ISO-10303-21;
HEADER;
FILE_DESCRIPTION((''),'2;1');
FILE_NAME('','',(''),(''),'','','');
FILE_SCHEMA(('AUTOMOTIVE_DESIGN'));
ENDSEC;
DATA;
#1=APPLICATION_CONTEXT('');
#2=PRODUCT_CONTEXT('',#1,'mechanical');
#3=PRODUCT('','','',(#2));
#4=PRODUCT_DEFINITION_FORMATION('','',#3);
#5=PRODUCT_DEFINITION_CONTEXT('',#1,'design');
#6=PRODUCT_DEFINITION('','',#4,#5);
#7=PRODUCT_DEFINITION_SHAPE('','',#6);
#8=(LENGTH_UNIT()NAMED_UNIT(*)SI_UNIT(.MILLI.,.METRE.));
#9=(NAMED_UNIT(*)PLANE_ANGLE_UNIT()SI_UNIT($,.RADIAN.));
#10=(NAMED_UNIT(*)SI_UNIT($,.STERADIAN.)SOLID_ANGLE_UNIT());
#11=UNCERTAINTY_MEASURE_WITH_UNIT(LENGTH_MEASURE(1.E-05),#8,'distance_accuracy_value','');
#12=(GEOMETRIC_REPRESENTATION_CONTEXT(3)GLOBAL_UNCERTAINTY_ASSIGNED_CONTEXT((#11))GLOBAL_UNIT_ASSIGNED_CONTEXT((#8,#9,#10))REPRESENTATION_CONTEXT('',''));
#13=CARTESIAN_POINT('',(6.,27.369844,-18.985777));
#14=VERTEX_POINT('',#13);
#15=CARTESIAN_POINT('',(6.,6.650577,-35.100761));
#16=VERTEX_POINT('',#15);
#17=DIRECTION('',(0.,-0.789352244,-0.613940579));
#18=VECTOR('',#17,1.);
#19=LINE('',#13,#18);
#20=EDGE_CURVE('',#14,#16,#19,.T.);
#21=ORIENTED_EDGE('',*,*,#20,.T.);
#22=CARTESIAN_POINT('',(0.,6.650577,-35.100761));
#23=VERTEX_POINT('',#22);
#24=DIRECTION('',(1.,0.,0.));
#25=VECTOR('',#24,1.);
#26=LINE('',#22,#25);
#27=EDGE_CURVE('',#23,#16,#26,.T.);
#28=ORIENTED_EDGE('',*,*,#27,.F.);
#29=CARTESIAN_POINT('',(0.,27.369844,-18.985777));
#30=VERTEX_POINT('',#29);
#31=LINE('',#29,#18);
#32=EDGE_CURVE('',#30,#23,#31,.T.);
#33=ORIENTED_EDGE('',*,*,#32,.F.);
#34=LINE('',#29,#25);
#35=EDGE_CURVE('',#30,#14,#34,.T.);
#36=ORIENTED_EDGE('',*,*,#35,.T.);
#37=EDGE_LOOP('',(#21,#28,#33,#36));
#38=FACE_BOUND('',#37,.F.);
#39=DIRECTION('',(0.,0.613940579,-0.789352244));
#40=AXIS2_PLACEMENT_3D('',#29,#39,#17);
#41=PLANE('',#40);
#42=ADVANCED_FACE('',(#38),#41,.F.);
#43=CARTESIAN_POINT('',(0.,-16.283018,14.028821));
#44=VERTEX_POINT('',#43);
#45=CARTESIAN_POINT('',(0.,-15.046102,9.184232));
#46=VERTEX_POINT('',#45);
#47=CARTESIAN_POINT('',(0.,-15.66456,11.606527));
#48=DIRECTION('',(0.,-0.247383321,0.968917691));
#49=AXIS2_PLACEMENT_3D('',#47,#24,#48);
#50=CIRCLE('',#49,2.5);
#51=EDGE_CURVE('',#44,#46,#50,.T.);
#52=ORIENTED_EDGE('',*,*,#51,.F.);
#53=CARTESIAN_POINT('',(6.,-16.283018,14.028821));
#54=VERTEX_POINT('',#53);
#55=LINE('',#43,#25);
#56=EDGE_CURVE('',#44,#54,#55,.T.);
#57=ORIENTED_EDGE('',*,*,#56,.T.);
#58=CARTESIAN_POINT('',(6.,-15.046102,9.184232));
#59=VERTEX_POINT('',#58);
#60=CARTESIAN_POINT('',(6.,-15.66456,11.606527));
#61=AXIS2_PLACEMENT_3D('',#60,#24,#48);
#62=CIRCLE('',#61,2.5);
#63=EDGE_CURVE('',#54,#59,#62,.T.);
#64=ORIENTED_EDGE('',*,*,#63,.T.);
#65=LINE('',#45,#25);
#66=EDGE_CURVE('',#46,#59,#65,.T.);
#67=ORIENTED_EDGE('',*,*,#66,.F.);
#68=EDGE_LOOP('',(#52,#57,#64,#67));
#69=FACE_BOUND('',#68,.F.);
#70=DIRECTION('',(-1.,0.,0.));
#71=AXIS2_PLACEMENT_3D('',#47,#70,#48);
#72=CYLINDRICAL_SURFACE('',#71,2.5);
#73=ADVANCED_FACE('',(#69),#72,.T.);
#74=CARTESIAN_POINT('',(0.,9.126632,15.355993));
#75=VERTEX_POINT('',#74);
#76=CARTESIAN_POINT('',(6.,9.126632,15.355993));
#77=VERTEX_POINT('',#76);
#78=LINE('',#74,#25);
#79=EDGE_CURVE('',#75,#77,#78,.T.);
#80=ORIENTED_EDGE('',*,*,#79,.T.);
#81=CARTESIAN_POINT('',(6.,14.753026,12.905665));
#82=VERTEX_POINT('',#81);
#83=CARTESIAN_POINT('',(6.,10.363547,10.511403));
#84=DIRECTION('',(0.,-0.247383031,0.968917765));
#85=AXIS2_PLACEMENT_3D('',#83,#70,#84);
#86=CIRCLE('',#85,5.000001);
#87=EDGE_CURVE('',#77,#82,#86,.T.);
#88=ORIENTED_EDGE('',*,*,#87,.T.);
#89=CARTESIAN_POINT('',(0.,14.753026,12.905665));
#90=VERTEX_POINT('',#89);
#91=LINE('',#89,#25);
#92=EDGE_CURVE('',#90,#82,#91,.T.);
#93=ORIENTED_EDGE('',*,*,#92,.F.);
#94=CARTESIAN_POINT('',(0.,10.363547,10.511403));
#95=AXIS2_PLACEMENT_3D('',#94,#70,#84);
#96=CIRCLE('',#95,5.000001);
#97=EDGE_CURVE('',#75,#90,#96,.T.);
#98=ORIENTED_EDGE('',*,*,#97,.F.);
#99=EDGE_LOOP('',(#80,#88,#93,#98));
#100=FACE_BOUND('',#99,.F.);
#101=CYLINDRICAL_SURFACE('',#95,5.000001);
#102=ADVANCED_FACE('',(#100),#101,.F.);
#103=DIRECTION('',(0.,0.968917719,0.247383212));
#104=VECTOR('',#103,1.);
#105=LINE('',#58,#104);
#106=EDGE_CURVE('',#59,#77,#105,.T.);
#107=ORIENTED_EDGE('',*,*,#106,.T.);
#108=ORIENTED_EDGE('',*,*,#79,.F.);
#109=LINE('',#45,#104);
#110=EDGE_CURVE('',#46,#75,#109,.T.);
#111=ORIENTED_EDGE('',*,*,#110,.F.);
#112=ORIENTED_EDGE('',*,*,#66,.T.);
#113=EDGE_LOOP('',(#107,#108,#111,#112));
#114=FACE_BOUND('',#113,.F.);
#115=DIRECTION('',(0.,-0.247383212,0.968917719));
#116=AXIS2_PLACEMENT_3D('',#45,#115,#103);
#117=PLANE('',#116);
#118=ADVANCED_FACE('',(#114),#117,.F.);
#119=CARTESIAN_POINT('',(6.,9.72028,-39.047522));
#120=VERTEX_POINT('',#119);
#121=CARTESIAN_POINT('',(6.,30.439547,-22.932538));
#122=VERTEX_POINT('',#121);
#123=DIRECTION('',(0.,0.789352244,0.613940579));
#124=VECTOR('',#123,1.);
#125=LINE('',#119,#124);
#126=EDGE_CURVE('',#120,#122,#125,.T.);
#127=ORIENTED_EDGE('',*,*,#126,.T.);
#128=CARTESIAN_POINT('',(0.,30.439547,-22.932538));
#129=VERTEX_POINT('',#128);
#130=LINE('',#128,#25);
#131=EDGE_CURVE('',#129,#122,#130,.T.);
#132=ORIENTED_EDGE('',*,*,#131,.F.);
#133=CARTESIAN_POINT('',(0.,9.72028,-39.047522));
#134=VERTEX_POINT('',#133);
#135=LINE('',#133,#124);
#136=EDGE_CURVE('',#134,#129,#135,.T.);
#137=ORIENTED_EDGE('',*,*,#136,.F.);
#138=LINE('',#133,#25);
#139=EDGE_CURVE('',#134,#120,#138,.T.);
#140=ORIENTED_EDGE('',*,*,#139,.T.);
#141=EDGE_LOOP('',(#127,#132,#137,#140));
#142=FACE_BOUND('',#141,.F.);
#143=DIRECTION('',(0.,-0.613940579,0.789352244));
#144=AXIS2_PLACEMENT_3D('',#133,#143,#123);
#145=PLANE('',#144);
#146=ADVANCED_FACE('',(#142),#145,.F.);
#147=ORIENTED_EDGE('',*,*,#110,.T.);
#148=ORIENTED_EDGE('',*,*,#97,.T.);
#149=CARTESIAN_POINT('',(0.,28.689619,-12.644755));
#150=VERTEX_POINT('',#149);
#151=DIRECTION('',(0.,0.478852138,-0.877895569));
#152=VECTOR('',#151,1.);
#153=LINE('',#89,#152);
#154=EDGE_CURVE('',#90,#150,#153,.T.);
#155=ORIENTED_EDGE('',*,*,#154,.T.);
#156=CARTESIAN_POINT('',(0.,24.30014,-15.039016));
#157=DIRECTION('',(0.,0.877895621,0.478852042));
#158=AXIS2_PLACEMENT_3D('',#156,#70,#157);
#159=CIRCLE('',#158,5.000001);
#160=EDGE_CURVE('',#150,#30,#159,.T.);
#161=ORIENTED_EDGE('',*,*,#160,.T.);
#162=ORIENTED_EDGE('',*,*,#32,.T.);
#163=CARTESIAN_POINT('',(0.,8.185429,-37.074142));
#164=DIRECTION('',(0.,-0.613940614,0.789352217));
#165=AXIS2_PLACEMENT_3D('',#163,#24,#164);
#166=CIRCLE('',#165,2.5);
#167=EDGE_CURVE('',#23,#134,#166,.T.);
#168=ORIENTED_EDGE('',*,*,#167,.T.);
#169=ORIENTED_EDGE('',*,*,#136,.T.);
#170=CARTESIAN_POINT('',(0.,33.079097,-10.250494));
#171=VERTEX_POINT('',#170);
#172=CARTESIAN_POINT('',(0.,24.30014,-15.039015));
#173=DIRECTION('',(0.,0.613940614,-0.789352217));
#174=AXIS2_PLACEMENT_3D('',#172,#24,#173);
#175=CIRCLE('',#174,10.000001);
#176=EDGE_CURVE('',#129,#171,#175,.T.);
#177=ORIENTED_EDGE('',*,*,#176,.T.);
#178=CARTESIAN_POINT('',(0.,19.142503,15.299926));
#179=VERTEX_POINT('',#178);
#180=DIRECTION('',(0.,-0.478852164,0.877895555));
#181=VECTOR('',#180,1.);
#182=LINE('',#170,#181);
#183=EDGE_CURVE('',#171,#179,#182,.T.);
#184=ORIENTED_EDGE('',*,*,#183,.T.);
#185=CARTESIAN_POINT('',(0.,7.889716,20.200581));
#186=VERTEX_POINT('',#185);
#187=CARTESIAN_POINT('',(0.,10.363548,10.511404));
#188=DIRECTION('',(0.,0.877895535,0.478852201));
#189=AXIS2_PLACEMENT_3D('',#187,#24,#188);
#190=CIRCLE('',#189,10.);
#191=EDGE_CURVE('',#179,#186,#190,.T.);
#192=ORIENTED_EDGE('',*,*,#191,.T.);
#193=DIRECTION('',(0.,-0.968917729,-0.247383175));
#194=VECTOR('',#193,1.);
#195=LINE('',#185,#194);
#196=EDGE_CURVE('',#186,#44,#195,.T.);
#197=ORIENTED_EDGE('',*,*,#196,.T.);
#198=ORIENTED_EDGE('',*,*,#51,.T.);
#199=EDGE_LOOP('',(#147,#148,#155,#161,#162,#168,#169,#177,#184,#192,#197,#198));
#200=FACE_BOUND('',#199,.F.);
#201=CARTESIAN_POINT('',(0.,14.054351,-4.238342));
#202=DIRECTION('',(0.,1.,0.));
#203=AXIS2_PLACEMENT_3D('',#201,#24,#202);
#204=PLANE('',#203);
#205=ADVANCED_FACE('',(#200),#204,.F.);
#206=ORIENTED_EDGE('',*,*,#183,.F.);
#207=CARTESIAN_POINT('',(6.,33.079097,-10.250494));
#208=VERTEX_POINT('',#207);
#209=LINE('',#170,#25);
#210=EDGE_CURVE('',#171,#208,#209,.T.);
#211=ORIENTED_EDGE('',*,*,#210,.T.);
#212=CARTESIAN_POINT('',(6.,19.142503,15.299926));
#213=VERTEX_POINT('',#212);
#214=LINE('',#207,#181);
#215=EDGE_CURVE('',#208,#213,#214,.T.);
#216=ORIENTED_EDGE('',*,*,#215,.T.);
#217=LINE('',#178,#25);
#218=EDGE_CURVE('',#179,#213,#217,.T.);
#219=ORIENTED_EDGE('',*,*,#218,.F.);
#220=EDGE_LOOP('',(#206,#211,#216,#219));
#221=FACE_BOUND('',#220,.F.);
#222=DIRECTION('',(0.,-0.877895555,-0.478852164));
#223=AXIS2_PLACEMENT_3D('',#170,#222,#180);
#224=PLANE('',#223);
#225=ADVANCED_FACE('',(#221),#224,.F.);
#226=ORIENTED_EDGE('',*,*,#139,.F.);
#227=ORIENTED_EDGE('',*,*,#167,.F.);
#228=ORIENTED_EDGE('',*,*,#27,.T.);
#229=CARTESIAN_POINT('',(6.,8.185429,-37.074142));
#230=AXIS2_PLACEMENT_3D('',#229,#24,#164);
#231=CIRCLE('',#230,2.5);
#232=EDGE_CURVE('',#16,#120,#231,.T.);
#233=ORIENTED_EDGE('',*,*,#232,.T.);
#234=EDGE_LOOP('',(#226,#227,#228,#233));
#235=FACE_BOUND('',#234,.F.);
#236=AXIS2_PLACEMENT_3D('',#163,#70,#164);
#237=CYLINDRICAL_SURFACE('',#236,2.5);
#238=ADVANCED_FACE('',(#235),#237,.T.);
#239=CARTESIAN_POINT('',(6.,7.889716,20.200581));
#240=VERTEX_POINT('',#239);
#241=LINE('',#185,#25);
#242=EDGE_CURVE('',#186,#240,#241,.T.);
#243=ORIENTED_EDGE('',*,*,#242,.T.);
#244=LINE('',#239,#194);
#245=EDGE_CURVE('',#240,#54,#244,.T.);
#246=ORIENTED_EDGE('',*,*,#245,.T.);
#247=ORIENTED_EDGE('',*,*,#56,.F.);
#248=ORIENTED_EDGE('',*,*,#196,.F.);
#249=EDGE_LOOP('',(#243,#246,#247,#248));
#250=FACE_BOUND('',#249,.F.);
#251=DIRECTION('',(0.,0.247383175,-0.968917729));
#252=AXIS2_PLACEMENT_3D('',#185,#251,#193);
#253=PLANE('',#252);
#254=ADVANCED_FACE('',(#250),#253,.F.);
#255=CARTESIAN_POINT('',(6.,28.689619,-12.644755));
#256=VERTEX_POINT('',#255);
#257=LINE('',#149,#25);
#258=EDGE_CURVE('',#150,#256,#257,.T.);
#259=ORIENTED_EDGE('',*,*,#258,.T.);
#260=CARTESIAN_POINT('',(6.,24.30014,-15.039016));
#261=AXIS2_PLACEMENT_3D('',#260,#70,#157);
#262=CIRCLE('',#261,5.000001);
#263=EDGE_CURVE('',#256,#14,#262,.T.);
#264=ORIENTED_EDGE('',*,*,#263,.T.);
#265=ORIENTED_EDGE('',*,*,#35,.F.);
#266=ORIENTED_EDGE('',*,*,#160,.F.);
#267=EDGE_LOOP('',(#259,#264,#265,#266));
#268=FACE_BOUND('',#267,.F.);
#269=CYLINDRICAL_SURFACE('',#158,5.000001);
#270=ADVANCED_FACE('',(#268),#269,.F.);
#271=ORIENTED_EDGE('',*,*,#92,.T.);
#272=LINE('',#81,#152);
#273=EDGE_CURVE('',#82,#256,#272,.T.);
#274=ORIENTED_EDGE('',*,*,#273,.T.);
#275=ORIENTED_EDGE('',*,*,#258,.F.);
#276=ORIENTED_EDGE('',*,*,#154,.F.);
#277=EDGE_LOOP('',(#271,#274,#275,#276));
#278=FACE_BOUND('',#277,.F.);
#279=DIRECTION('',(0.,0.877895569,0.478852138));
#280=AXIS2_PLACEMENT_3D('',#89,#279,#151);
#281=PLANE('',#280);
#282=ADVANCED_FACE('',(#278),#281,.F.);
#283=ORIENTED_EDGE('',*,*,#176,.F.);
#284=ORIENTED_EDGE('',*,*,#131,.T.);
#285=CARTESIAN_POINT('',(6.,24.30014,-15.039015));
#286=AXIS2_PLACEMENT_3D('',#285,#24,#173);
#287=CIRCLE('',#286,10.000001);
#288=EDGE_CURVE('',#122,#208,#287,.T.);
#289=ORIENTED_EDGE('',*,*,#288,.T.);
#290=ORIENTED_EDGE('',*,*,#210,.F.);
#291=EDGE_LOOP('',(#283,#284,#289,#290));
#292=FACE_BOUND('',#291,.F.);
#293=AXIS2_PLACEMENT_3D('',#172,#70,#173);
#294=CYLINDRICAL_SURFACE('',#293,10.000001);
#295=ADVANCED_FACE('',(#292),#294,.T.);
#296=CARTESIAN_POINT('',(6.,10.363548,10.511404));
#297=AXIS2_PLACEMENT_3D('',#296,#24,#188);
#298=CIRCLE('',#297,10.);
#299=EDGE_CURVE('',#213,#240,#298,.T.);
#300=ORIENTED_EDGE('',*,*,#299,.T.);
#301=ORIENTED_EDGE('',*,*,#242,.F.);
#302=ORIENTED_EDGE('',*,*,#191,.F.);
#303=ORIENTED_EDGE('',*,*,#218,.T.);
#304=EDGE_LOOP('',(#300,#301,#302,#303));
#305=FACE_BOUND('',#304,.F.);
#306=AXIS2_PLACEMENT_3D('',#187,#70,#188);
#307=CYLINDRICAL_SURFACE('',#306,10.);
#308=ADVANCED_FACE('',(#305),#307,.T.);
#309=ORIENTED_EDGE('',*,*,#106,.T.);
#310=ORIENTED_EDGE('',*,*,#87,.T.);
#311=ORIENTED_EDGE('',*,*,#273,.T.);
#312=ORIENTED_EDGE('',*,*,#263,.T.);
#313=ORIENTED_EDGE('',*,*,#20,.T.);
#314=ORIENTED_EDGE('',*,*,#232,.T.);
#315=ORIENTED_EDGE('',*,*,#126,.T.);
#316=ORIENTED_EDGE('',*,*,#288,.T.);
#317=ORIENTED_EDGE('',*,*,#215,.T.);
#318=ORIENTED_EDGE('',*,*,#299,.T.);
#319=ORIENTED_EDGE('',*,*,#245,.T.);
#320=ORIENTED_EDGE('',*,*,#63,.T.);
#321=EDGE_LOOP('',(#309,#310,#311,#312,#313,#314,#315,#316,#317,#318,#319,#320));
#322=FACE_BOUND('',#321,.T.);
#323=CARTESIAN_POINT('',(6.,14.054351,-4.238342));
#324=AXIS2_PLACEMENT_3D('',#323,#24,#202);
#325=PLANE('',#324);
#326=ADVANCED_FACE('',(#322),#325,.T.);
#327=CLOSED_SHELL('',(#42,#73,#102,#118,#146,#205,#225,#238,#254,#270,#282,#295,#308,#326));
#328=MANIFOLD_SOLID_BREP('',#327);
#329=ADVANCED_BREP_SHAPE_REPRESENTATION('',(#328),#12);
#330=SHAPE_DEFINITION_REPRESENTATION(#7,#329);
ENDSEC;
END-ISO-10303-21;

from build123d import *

# Parameters (mm, degrees)
F1_DEPTH = 6


with BuildPart() as f1:
    # F0 (on Right) → F1 (new body)
    with BuildSketch(Plane.YZ):
        with BuildLine():
            ThreePointArc((-16.283018, 14.028821), (-18.086854, 10.988068), (-15.046102, 9.184232))
            Line((-15.046102, 9.184232), (9.126632, 15.355993))
            ThreePointArc((9.126632, 15.355993), (12.359967, 15.095541), (14.753026, 12.905665))
            Line((14.753026, 12.905665), (28.689619, -12.644755))
            ThreePointArc((28.689619, -12.644755), (29.195239, -16.057846), (27.369844, -18.985777))
            Line((27.369844, -18.985777), (6.650577, -35.100761))
            ThreePointArc((6.650577, -35.100761), (6.212048, -38.608993), (9.72028, -39.047522))
            Line((9.72028, -39.047522), (30.439547, -22.932538))
            ThreePointArc((30.439547, -22.932538), (34.090337, -17.076677), (33.079097, -10.250494))
            Line((33.079097, -10.250494), (19.142503, 15.299926))
            ThreePointArc((19.142503, 15.299926), (14.356385, 19.679678), (7.889716, 20.200581))
            Line((7.889716, 20.200581), (-16.283018, 14.028821))
        make_face()
    extrude(amount=F1_DEPTH)


solid = f1.part
